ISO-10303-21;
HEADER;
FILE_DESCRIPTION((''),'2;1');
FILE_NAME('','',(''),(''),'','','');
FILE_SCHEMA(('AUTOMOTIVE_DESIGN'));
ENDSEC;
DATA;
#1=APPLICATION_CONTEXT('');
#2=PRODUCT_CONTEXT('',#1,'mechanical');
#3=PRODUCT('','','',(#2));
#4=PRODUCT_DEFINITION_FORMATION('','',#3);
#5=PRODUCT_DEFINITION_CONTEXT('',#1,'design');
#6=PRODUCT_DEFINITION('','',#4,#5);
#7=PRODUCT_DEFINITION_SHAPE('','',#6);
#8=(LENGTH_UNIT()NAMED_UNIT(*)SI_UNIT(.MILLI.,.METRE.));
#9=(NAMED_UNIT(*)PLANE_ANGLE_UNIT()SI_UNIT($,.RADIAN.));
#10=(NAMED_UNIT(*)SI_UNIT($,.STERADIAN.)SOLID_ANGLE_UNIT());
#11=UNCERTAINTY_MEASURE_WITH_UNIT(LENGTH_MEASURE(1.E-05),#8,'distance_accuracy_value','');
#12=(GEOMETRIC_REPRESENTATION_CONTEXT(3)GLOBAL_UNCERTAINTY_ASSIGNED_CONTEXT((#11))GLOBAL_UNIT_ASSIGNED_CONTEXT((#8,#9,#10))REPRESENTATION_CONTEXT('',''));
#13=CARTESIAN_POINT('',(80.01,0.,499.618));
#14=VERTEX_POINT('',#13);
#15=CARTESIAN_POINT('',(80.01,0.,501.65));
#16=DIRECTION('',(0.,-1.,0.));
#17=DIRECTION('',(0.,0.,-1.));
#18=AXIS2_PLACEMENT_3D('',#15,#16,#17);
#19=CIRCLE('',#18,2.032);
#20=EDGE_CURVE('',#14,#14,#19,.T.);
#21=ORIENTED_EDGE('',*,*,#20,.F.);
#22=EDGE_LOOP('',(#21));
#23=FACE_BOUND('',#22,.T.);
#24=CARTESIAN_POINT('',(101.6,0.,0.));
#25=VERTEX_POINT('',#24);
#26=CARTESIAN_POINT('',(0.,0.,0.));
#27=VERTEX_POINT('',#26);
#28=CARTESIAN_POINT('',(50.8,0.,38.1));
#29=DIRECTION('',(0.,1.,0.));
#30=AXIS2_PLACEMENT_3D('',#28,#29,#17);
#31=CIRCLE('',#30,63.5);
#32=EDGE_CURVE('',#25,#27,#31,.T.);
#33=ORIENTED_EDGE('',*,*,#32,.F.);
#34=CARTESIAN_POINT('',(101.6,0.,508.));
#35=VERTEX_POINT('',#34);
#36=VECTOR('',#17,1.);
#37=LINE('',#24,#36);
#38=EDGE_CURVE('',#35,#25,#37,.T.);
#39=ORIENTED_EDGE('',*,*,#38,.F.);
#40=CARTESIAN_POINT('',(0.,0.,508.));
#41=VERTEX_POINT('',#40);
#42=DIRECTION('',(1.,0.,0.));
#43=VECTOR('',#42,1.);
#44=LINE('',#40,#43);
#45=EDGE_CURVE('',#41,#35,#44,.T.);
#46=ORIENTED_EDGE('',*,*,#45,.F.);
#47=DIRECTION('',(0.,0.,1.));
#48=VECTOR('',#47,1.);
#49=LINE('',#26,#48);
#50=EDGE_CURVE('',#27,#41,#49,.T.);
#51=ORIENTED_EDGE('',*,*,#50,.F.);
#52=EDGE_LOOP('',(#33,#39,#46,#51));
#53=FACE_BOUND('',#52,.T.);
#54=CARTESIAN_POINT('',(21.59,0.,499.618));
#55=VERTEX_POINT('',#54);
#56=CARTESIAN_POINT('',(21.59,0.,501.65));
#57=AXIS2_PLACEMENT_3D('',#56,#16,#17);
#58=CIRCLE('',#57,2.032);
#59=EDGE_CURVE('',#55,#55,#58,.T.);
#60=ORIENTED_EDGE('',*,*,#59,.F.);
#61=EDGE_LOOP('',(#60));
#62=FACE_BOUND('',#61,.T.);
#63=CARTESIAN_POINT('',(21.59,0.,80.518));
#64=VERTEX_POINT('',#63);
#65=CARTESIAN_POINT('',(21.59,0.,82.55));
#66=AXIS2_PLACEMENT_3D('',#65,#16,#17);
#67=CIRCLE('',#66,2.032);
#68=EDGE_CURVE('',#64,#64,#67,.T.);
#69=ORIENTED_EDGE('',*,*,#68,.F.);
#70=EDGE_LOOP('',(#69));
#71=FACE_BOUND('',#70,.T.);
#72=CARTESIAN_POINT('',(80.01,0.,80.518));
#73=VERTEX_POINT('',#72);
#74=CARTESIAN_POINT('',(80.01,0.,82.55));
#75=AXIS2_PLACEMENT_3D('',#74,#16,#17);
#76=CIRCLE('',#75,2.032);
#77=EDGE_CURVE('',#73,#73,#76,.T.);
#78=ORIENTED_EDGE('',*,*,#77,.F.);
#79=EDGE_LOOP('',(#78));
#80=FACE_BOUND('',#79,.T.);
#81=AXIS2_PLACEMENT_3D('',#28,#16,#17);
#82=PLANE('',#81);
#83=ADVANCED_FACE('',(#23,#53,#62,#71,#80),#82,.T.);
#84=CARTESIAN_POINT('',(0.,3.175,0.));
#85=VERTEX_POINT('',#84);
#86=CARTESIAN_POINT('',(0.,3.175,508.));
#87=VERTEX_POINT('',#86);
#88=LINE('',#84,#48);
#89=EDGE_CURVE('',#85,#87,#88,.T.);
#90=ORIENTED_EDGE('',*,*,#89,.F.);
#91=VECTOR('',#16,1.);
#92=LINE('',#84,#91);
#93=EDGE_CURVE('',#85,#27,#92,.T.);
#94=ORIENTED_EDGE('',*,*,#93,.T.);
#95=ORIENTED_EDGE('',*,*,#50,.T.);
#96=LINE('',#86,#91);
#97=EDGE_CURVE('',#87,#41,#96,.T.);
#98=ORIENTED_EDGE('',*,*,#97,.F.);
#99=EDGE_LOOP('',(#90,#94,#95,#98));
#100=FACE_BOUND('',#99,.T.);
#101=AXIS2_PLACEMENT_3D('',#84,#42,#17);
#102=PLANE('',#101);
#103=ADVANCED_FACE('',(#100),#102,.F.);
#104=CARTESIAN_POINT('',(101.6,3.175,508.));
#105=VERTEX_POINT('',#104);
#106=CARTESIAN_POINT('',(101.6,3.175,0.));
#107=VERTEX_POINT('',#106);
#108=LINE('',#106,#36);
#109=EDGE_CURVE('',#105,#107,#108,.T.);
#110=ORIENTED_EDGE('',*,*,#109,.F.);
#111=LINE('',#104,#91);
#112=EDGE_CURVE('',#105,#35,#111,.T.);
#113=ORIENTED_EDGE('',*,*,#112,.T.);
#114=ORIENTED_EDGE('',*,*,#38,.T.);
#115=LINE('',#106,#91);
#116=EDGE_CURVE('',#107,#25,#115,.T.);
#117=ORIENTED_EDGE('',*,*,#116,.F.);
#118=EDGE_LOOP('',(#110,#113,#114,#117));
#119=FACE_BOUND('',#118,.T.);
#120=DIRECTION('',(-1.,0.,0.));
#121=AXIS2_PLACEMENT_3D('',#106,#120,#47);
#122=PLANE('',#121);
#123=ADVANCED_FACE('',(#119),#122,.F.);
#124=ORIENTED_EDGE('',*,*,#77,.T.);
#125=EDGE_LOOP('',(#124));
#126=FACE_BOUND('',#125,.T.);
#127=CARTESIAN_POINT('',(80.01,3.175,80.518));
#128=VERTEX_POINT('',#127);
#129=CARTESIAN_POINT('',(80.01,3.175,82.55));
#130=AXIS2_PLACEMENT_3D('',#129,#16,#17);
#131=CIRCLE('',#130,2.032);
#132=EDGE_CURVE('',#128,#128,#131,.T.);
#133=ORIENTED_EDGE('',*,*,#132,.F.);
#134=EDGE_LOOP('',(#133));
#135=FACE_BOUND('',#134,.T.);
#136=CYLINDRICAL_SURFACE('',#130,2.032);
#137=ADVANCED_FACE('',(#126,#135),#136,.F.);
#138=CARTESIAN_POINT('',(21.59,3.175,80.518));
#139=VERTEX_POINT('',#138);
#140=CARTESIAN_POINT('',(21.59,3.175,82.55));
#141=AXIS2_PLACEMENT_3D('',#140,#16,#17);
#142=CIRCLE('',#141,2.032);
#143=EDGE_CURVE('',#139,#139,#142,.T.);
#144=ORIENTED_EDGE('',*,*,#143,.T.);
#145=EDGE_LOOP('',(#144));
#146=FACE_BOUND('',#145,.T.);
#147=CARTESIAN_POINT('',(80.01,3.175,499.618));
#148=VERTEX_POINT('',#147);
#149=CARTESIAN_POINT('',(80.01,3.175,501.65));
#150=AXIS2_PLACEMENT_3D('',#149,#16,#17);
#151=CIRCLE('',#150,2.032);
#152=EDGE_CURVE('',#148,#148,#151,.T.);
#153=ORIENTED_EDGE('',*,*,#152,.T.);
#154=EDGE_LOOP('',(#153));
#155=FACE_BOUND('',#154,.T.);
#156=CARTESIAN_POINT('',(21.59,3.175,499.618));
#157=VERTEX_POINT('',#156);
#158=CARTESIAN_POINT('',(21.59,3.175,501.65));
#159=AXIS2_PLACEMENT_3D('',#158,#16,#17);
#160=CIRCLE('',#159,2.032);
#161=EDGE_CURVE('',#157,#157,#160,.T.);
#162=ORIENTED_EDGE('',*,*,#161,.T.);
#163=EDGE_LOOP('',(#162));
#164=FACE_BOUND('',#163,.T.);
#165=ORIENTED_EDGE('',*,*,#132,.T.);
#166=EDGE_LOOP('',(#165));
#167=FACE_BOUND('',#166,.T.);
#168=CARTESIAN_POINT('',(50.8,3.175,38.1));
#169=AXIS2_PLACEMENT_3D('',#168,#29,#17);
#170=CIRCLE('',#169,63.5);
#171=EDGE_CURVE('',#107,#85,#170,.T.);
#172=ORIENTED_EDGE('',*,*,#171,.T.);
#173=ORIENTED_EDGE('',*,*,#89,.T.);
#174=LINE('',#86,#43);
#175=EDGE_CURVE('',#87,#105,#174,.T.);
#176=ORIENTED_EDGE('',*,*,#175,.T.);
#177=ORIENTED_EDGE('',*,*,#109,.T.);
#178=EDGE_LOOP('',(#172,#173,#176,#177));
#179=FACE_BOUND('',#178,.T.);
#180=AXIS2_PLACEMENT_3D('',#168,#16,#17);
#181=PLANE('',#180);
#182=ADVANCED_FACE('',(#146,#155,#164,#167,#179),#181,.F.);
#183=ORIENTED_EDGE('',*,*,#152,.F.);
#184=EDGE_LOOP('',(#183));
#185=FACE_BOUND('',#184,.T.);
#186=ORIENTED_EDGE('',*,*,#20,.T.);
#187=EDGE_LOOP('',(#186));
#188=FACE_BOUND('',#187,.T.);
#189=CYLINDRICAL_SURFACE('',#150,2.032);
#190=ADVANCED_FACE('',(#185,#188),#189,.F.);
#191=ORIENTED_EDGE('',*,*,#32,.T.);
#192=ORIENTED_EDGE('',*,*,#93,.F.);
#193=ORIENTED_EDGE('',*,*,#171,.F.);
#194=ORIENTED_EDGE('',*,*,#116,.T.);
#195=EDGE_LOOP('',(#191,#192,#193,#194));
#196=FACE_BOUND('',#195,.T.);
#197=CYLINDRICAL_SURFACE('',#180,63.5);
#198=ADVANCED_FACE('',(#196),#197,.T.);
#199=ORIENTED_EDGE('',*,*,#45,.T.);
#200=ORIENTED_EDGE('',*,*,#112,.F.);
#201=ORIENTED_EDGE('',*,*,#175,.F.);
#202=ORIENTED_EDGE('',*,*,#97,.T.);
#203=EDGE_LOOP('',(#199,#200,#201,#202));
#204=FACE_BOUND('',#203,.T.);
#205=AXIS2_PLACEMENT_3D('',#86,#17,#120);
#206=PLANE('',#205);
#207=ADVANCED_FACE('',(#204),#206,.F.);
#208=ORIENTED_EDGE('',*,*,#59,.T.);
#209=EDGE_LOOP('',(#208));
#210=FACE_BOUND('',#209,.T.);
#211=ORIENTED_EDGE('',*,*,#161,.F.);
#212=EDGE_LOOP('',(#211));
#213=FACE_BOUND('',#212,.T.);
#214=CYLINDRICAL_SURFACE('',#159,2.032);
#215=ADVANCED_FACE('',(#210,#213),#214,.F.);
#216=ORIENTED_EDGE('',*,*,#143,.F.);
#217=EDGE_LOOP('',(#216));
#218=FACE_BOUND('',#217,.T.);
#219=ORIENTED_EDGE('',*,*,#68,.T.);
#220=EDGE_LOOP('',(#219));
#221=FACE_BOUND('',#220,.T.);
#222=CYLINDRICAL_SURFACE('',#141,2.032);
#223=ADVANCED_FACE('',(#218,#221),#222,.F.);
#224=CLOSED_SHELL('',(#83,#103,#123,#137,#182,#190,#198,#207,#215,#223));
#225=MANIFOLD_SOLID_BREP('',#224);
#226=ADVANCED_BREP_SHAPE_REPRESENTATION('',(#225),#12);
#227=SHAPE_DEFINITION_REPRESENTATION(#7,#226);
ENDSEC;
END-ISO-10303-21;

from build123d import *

# Parameters (mm, degrees)
BOSS_EXTRUDE1_DEPTH = 3.175
SKETCH2_R           = 2.032
CUT_EXTRUDE1_DEPTH  = 519.070111689


with BuildPart() as part:
    # Sketch1 → Boss-Extrude1 (new body)
    with BuildSketch(Plane(origin=(0, 0, 0), x_dir=(1, 0, 0), z_dir=(0, 1, 0))):
        with BuildLine():
            Line((0, 0), (0, -508))
            Line((0, -508), (101.6, -508))
            Line((101.6, -508), (101.6, 0))
            ThreePointArc((101.6, 0), (50.8, 25.4), (0, 0))
        make_face()
    extrude(amount=BOSS_EXTRUDE1_DEPTH)

    # Sketch2 → Cut-Extrude1 (cut, through all)
    with BuildSketch(Plane.XZ):
        with Locations(Location((21.59, 501.65, 0), (0, 0, 270))):
            Circle(SKETCH2_R)
        with Locations(Location((80.01, 501.65, 0), (0, 0, 270))):
            Circle(SKETCH2_R)
        with Locations(Location((21.59, 82.55, 0), (0, 0, 270))):
            Circle(SKETCH2_R)
        with Locations(Location((80.01, 82.55, 0), (0, 0, 270))):
            Circle(SKETCH2_R)
    extrude(amount=-CUT_EXTRUDE1_DEPTH, mode=Mode.SUBTRACT)


solid = part.part
